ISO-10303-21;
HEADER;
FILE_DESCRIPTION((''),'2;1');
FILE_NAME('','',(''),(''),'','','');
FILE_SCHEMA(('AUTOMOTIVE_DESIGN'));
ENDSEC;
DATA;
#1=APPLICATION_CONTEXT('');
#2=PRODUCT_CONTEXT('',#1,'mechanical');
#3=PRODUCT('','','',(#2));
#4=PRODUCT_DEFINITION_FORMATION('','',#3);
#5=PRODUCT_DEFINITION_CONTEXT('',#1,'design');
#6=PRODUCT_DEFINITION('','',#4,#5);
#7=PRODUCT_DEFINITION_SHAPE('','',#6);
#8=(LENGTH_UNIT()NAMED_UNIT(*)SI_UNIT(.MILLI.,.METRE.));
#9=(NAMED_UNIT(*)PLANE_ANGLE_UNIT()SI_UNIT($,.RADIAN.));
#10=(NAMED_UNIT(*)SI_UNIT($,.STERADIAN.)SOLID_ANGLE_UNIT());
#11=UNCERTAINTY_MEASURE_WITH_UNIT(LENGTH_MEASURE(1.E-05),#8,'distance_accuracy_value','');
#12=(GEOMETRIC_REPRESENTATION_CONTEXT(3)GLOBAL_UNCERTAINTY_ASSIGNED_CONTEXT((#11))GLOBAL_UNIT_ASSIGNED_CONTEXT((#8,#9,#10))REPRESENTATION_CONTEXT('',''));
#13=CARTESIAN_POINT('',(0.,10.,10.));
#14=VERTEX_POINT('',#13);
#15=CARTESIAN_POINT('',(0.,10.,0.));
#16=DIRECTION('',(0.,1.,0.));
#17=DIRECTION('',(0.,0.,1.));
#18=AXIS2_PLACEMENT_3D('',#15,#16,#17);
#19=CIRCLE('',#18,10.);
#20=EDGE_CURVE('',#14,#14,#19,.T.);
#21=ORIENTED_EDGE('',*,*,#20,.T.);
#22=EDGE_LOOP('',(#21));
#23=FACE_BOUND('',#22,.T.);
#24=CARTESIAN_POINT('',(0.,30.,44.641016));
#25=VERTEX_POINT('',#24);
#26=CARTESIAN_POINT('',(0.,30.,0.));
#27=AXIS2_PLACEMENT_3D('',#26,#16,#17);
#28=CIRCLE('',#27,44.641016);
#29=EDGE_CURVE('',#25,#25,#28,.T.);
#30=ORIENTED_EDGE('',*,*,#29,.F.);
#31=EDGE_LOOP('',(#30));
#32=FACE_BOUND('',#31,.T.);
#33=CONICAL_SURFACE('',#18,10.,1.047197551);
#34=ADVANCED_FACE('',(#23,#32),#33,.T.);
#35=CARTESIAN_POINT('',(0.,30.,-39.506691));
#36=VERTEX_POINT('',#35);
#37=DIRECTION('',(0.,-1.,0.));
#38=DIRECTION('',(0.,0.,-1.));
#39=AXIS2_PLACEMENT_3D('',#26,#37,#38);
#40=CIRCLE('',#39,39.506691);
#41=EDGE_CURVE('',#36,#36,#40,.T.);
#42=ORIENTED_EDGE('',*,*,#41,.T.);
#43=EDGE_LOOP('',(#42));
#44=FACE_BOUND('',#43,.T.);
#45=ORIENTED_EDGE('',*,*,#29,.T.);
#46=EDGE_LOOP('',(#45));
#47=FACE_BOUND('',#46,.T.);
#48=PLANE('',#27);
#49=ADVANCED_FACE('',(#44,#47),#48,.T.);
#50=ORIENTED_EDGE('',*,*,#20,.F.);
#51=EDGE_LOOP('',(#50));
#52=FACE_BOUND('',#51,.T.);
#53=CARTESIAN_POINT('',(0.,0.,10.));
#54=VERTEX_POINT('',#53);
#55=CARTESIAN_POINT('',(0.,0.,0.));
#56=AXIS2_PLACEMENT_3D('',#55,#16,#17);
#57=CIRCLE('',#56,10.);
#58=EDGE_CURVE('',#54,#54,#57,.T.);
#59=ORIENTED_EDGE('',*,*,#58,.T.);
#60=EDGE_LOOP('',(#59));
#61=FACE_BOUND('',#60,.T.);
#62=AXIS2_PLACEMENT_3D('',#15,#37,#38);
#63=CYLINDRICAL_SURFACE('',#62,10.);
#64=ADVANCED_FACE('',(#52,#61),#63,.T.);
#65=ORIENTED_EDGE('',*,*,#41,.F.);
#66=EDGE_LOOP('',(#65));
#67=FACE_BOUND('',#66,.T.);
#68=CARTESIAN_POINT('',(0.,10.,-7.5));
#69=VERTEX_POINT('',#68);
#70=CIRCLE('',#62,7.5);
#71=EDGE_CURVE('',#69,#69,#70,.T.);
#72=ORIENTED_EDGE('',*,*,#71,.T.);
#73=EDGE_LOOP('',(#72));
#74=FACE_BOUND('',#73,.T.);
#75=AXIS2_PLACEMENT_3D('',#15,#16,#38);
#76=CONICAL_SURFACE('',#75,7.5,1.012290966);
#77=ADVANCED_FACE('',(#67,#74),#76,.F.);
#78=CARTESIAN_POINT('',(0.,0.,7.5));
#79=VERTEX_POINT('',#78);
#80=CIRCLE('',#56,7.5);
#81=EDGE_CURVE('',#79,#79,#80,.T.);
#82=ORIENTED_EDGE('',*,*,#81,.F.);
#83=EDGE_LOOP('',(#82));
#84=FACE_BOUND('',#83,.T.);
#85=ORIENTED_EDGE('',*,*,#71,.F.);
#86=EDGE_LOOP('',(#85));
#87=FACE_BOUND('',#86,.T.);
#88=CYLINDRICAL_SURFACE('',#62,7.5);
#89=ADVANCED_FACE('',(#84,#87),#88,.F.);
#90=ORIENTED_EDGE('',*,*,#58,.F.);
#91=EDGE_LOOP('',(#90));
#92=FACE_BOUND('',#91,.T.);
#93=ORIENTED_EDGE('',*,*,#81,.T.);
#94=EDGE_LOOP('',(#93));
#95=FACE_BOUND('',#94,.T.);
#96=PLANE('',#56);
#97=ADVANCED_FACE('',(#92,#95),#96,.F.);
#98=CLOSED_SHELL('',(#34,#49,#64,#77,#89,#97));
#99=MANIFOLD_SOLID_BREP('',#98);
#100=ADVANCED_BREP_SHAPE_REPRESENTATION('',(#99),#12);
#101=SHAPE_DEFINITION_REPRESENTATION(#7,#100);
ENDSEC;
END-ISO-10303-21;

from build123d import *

# Parameters (mm, degrees)
SKETCH1_R           = 10
SKETCH1_R_2         = 7.5
BOSS_EXTRUDE1_DEPTH = 10
SKETCH6_R           = 10
BOSS_EXTRUDE3_DEPTH = 20
BOSS_EXTRUDE3_TAPER = -60
SKETCH8_R           = 7.5
CUT_EXTRUDE3_DEPTH  = 20
CUT_EXTRUDE3_TAPER  = -58


with BuildPart() as part:
    # Sketch1 → Boss-Extrude1 (new body)
    with BuildSketch(Plane(origin=(0, 0, 0), x_dir=(1, 0, 0), z_dir=(0, 1, 0))):
        Circle(SKETCH1_R)
        Circle(SKETCH1_R_2, mode=Mode.SUBTRACT)
    extrude(amount=BOSS_EXTRUDE1_DEPTH)

    # Sketch6 → Boss-Extrude3 (add)
    with BuildSketch(Plane(origin=(0, 10, 0), x_dir=(1, 0, 0), z_dir=(0, 1, 0))):
        Circle(SKETCH6_R)
    extrude(amount=BOSS_EXTRUDE3_DEPTH, taper=BOSS_EXTRUDE3_TAPER)

    # Sketch8 → Cut-Extrude3 (cut)
    with BuildSketch(Plane.XZ.offset(-10)):
        Circle(SKETCH8_R)
    extrude(amount=-CUT_EXTRUDE3_DEPTH, taper=CUT_EXTRUDE3_TAPER, mode=Mode.SUBTRACT)


solid = part.part
